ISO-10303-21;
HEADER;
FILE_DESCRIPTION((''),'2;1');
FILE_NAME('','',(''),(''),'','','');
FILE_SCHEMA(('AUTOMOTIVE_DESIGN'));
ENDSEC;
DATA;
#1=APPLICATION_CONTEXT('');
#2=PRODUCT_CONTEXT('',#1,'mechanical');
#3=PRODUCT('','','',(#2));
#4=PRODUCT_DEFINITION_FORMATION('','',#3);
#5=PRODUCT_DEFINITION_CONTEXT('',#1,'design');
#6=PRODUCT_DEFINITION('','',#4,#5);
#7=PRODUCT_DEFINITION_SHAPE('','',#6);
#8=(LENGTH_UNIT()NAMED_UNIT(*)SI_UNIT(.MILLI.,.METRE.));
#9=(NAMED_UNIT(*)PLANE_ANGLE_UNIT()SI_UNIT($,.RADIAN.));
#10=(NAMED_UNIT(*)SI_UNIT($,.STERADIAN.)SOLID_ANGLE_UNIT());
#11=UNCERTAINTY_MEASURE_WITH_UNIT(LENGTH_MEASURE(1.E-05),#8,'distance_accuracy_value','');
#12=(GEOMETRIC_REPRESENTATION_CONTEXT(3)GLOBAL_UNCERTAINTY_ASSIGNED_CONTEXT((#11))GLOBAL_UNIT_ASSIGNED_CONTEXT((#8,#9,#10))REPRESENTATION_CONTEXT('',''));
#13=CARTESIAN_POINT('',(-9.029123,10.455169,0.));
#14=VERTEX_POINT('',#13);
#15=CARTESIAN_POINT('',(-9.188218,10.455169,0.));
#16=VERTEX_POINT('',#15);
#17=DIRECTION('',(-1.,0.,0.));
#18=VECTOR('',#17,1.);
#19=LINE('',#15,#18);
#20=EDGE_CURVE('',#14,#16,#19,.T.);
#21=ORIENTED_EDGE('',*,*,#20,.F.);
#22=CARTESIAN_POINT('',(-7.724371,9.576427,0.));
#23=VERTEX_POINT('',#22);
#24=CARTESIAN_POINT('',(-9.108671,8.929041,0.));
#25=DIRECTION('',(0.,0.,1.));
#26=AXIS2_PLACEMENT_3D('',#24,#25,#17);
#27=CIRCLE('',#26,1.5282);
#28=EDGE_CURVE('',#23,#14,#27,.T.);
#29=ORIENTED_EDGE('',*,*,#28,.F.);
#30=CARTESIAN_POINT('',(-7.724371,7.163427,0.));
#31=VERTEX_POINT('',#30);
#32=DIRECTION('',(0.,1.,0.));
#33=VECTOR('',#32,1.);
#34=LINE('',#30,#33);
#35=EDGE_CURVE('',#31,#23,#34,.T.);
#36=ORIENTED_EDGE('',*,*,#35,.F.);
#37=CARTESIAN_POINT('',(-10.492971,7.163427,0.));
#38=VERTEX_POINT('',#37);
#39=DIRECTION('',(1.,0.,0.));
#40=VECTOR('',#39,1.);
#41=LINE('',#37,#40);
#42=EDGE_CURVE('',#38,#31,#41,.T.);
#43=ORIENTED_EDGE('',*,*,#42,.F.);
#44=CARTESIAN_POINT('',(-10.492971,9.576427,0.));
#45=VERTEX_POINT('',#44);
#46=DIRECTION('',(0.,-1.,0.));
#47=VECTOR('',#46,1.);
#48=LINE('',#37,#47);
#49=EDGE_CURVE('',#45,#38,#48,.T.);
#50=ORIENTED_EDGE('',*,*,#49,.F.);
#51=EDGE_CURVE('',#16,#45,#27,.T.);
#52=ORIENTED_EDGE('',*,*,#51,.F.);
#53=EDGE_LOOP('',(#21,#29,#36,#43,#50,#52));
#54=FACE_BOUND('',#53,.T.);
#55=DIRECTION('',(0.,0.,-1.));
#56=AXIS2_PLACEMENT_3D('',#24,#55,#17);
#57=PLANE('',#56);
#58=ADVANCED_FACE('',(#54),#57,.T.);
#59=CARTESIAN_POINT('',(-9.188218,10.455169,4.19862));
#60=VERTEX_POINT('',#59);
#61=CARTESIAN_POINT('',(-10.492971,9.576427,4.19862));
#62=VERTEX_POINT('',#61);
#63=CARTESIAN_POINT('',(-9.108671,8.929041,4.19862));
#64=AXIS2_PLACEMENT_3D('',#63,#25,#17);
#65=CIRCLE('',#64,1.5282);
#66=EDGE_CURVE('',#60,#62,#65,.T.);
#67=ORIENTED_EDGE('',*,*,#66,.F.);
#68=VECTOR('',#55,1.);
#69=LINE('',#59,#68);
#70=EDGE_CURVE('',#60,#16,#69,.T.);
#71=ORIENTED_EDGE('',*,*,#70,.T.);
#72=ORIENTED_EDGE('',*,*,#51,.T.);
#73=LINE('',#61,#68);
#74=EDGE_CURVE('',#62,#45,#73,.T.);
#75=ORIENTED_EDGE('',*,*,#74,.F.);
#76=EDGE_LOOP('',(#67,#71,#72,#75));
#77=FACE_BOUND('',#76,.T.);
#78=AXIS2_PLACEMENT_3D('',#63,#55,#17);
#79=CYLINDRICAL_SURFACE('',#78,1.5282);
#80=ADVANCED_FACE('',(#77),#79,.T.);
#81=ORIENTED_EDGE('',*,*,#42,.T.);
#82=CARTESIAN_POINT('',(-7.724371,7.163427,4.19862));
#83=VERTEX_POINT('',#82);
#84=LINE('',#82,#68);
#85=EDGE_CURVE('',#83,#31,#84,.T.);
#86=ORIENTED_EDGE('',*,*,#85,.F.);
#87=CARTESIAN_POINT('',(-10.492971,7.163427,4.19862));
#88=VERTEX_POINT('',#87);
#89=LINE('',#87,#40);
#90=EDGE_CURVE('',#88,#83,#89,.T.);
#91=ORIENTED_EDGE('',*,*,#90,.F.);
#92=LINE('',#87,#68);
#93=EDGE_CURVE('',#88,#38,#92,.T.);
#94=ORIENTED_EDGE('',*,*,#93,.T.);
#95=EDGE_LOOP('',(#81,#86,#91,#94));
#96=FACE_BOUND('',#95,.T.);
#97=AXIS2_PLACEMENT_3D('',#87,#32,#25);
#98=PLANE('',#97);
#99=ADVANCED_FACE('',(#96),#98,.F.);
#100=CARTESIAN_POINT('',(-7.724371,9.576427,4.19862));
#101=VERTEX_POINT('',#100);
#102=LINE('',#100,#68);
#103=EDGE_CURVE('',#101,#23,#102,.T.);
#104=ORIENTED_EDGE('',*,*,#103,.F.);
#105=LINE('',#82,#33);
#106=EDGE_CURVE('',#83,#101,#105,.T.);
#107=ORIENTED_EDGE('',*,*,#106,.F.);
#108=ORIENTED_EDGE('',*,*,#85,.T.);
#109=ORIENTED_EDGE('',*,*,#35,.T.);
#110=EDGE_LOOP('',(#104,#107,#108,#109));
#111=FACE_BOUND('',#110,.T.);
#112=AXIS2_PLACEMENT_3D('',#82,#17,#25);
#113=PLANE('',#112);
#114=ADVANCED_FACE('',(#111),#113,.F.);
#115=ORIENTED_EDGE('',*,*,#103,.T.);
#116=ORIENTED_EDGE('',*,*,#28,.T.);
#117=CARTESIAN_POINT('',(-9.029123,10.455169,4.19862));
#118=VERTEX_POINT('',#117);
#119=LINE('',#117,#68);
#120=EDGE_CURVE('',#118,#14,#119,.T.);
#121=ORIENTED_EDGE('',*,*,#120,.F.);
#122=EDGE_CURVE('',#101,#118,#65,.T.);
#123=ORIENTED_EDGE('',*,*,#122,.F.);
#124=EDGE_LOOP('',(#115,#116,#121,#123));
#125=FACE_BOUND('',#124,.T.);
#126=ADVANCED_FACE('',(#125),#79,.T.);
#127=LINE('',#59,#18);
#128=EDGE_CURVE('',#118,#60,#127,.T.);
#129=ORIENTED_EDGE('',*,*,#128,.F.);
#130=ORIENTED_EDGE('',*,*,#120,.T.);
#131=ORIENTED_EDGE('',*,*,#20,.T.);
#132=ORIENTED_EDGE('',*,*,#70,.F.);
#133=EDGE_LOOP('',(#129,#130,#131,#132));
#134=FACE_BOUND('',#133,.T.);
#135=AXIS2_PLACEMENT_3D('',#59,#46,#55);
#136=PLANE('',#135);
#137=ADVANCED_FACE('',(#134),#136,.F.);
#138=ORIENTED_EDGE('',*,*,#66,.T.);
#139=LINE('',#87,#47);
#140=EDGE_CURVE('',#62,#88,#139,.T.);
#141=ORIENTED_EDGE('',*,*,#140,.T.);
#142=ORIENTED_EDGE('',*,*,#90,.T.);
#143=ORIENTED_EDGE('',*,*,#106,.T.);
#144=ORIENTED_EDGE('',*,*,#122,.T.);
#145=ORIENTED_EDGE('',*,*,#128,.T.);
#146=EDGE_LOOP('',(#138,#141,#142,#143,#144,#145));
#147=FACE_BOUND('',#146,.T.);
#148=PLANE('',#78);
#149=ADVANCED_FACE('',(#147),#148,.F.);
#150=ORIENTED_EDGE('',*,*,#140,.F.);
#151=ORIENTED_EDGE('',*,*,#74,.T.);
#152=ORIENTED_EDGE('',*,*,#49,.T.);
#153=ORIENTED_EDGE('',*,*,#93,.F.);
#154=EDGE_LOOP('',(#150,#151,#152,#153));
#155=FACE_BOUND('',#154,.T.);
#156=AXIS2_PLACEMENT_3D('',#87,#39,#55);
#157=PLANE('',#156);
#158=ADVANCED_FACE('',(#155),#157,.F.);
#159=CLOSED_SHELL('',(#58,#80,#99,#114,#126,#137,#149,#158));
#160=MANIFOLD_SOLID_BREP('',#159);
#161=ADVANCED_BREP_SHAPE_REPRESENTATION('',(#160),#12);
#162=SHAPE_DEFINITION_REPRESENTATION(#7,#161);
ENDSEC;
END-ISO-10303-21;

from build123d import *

# Parameters (mm, degrees)
BOSS_EXTRUDE1_DEPTH = 4.19862


with BuildPart() as part:
    # Sketch1 → Boss-Extrude1 (new body)
    with BuildSketch(Plane.XY):
        with BuildLine():
            Line((-10.492970574, 7.163426588), (-7.724370574, 7.163426588))
            Line((-7.724370574, 7.163426588), (-7.724370574, 9.576426588))
            ThreePointArc((-7.724370574, 9.576426588), (-8.254996592, 10.196572098), (-9.029123261, 10.455168937))
            Line((-9.029123261, 10.455168937), (-9.188217888, 10.455168937))
            ThreePointArc((-9.188217888, 10.455168937), (-9.962344557, 10.196572098), (-10.492970574, 9.576426588))
            Line((-10.492970574, 9.576426588), (-10.492970574, 7.163426588))
        make_face()
    extrude(amount=BOSS_EXTRUDE1_DEPTH)


solid = part.part
